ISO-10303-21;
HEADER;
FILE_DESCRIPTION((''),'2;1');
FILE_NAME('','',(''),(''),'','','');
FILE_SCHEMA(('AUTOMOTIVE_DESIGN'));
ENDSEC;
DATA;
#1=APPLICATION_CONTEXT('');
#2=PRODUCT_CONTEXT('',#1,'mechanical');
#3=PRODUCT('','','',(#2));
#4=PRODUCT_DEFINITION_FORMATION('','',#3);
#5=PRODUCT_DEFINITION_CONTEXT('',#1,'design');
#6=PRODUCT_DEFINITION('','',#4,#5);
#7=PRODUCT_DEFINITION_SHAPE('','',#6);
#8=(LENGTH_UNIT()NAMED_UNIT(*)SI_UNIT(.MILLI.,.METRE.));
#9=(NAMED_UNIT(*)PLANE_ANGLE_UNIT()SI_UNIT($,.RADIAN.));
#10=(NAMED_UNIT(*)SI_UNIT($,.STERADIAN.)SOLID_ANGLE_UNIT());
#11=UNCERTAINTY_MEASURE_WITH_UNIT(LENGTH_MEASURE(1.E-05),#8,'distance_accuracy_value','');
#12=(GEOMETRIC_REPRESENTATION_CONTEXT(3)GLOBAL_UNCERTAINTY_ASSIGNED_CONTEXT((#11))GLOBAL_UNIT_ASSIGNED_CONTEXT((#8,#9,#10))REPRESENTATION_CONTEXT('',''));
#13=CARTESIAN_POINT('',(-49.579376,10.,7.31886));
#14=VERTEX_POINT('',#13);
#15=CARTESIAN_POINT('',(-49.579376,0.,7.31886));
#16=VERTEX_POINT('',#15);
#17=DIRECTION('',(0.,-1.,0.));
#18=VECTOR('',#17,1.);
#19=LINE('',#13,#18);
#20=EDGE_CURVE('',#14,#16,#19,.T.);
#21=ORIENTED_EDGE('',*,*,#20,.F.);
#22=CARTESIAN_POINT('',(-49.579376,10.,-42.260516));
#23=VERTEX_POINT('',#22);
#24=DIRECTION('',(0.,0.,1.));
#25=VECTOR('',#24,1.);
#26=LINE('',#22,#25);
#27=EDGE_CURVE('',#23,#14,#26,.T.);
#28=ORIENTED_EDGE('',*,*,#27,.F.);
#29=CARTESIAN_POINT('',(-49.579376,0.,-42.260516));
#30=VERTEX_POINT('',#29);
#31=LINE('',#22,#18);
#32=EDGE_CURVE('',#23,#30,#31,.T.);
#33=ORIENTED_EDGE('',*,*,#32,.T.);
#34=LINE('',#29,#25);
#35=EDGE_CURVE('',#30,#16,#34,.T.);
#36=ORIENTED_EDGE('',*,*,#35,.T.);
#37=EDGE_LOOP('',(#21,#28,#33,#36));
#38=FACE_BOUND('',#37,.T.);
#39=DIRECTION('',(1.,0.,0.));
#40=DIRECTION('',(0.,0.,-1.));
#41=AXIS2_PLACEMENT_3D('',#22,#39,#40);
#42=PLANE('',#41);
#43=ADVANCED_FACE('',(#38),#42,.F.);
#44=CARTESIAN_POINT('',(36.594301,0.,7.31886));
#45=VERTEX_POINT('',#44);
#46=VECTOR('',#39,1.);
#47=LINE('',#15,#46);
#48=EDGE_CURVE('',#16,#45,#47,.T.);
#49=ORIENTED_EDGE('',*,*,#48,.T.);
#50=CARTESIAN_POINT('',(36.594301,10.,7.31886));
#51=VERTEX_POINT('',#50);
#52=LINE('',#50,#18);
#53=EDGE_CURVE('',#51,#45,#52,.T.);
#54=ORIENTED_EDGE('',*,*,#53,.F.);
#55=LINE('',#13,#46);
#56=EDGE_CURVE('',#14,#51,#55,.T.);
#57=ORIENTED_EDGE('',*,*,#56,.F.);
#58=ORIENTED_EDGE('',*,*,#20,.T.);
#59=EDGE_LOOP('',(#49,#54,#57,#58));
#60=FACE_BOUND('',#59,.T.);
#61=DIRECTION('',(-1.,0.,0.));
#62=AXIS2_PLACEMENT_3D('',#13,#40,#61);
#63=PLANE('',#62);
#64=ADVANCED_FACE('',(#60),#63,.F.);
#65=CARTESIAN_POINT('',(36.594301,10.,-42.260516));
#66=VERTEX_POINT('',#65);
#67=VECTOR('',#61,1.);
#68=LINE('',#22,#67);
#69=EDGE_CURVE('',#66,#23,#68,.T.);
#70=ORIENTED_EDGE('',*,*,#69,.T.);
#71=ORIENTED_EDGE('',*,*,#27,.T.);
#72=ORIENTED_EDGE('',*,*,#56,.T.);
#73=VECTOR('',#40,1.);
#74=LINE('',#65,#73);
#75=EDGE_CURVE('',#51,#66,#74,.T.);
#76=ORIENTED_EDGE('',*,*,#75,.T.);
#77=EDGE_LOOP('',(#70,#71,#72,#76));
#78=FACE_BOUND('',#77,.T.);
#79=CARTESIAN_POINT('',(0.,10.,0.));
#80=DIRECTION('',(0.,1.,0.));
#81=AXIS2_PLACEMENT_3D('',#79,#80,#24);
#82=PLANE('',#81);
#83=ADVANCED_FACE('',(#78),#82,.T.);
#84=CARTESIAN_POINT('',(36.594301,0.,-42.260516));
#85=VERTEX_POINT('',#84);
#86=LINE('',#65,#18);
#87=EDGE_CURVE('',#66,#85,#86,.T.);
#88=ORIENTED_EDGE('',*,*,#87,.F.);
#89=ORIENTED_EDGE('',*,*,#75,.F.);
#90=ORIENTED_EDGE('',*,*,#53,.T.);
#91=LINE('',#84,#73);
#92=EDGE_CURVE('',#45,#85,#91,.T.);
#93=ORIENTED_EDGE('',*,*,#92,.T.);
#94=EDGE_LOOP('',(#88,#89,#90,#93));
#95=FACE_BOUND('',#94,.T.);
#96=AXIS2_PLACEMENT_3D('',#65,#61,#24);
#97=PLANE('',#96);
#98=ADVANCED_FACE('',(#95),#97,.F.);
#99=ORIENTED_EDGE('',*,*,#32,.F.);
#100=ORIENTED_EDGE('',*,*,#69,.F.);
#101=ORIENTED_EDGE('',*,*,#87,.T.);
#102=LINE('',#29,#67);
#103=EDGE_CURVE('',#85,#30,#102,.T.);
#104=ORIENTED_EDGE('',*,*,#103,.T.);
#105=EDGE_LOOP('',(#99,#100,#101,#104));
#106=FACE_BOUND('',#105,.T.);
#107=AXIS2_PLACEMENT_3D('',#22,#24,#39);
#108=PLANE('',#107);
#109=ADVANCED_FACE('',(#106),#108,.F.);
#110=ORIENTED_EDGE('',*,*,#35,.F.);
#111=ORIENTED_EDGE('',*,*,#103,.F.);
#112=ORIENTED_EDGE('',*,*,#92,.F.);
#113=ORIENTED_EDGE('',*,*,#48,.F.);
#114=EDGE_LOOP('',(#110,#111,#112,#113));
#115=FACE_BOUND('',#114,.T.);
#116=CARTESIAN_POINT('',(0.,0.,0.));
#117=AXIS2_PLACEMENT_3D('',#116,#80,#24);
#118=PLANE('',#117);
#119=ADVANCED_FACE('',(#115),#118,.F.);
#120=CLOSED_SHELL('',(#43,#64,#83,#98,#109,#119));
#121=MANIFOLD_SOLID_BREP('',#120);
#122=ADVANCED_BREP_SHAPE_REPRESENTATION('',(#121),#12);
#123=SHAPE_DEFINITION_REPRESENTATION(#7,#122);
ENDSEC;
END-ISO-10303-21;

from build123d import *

# Parameters (mm, degrees)
SKETCH1_W           = 86.17367748
SKETCH1_H           = 49.579376084
BOSS_EXTRUDE1_DEPTH = 10


with BuildPart() as part:
    # Sketch1 → Boss-Extrude1 (new body)
    with BuildSketch(Plane(origin=(0, 0, 0), x_dir=(1, 0, 0), z_dir=(0, 1, 0))):
        with Locations((-6.492537344, 17.470827763)):
            Rectangle(SKETCH1_W, SKETCH1_H)
    extrude(amount=BOSS_EXTRUDE1_DEPTH)


solid = part.part
